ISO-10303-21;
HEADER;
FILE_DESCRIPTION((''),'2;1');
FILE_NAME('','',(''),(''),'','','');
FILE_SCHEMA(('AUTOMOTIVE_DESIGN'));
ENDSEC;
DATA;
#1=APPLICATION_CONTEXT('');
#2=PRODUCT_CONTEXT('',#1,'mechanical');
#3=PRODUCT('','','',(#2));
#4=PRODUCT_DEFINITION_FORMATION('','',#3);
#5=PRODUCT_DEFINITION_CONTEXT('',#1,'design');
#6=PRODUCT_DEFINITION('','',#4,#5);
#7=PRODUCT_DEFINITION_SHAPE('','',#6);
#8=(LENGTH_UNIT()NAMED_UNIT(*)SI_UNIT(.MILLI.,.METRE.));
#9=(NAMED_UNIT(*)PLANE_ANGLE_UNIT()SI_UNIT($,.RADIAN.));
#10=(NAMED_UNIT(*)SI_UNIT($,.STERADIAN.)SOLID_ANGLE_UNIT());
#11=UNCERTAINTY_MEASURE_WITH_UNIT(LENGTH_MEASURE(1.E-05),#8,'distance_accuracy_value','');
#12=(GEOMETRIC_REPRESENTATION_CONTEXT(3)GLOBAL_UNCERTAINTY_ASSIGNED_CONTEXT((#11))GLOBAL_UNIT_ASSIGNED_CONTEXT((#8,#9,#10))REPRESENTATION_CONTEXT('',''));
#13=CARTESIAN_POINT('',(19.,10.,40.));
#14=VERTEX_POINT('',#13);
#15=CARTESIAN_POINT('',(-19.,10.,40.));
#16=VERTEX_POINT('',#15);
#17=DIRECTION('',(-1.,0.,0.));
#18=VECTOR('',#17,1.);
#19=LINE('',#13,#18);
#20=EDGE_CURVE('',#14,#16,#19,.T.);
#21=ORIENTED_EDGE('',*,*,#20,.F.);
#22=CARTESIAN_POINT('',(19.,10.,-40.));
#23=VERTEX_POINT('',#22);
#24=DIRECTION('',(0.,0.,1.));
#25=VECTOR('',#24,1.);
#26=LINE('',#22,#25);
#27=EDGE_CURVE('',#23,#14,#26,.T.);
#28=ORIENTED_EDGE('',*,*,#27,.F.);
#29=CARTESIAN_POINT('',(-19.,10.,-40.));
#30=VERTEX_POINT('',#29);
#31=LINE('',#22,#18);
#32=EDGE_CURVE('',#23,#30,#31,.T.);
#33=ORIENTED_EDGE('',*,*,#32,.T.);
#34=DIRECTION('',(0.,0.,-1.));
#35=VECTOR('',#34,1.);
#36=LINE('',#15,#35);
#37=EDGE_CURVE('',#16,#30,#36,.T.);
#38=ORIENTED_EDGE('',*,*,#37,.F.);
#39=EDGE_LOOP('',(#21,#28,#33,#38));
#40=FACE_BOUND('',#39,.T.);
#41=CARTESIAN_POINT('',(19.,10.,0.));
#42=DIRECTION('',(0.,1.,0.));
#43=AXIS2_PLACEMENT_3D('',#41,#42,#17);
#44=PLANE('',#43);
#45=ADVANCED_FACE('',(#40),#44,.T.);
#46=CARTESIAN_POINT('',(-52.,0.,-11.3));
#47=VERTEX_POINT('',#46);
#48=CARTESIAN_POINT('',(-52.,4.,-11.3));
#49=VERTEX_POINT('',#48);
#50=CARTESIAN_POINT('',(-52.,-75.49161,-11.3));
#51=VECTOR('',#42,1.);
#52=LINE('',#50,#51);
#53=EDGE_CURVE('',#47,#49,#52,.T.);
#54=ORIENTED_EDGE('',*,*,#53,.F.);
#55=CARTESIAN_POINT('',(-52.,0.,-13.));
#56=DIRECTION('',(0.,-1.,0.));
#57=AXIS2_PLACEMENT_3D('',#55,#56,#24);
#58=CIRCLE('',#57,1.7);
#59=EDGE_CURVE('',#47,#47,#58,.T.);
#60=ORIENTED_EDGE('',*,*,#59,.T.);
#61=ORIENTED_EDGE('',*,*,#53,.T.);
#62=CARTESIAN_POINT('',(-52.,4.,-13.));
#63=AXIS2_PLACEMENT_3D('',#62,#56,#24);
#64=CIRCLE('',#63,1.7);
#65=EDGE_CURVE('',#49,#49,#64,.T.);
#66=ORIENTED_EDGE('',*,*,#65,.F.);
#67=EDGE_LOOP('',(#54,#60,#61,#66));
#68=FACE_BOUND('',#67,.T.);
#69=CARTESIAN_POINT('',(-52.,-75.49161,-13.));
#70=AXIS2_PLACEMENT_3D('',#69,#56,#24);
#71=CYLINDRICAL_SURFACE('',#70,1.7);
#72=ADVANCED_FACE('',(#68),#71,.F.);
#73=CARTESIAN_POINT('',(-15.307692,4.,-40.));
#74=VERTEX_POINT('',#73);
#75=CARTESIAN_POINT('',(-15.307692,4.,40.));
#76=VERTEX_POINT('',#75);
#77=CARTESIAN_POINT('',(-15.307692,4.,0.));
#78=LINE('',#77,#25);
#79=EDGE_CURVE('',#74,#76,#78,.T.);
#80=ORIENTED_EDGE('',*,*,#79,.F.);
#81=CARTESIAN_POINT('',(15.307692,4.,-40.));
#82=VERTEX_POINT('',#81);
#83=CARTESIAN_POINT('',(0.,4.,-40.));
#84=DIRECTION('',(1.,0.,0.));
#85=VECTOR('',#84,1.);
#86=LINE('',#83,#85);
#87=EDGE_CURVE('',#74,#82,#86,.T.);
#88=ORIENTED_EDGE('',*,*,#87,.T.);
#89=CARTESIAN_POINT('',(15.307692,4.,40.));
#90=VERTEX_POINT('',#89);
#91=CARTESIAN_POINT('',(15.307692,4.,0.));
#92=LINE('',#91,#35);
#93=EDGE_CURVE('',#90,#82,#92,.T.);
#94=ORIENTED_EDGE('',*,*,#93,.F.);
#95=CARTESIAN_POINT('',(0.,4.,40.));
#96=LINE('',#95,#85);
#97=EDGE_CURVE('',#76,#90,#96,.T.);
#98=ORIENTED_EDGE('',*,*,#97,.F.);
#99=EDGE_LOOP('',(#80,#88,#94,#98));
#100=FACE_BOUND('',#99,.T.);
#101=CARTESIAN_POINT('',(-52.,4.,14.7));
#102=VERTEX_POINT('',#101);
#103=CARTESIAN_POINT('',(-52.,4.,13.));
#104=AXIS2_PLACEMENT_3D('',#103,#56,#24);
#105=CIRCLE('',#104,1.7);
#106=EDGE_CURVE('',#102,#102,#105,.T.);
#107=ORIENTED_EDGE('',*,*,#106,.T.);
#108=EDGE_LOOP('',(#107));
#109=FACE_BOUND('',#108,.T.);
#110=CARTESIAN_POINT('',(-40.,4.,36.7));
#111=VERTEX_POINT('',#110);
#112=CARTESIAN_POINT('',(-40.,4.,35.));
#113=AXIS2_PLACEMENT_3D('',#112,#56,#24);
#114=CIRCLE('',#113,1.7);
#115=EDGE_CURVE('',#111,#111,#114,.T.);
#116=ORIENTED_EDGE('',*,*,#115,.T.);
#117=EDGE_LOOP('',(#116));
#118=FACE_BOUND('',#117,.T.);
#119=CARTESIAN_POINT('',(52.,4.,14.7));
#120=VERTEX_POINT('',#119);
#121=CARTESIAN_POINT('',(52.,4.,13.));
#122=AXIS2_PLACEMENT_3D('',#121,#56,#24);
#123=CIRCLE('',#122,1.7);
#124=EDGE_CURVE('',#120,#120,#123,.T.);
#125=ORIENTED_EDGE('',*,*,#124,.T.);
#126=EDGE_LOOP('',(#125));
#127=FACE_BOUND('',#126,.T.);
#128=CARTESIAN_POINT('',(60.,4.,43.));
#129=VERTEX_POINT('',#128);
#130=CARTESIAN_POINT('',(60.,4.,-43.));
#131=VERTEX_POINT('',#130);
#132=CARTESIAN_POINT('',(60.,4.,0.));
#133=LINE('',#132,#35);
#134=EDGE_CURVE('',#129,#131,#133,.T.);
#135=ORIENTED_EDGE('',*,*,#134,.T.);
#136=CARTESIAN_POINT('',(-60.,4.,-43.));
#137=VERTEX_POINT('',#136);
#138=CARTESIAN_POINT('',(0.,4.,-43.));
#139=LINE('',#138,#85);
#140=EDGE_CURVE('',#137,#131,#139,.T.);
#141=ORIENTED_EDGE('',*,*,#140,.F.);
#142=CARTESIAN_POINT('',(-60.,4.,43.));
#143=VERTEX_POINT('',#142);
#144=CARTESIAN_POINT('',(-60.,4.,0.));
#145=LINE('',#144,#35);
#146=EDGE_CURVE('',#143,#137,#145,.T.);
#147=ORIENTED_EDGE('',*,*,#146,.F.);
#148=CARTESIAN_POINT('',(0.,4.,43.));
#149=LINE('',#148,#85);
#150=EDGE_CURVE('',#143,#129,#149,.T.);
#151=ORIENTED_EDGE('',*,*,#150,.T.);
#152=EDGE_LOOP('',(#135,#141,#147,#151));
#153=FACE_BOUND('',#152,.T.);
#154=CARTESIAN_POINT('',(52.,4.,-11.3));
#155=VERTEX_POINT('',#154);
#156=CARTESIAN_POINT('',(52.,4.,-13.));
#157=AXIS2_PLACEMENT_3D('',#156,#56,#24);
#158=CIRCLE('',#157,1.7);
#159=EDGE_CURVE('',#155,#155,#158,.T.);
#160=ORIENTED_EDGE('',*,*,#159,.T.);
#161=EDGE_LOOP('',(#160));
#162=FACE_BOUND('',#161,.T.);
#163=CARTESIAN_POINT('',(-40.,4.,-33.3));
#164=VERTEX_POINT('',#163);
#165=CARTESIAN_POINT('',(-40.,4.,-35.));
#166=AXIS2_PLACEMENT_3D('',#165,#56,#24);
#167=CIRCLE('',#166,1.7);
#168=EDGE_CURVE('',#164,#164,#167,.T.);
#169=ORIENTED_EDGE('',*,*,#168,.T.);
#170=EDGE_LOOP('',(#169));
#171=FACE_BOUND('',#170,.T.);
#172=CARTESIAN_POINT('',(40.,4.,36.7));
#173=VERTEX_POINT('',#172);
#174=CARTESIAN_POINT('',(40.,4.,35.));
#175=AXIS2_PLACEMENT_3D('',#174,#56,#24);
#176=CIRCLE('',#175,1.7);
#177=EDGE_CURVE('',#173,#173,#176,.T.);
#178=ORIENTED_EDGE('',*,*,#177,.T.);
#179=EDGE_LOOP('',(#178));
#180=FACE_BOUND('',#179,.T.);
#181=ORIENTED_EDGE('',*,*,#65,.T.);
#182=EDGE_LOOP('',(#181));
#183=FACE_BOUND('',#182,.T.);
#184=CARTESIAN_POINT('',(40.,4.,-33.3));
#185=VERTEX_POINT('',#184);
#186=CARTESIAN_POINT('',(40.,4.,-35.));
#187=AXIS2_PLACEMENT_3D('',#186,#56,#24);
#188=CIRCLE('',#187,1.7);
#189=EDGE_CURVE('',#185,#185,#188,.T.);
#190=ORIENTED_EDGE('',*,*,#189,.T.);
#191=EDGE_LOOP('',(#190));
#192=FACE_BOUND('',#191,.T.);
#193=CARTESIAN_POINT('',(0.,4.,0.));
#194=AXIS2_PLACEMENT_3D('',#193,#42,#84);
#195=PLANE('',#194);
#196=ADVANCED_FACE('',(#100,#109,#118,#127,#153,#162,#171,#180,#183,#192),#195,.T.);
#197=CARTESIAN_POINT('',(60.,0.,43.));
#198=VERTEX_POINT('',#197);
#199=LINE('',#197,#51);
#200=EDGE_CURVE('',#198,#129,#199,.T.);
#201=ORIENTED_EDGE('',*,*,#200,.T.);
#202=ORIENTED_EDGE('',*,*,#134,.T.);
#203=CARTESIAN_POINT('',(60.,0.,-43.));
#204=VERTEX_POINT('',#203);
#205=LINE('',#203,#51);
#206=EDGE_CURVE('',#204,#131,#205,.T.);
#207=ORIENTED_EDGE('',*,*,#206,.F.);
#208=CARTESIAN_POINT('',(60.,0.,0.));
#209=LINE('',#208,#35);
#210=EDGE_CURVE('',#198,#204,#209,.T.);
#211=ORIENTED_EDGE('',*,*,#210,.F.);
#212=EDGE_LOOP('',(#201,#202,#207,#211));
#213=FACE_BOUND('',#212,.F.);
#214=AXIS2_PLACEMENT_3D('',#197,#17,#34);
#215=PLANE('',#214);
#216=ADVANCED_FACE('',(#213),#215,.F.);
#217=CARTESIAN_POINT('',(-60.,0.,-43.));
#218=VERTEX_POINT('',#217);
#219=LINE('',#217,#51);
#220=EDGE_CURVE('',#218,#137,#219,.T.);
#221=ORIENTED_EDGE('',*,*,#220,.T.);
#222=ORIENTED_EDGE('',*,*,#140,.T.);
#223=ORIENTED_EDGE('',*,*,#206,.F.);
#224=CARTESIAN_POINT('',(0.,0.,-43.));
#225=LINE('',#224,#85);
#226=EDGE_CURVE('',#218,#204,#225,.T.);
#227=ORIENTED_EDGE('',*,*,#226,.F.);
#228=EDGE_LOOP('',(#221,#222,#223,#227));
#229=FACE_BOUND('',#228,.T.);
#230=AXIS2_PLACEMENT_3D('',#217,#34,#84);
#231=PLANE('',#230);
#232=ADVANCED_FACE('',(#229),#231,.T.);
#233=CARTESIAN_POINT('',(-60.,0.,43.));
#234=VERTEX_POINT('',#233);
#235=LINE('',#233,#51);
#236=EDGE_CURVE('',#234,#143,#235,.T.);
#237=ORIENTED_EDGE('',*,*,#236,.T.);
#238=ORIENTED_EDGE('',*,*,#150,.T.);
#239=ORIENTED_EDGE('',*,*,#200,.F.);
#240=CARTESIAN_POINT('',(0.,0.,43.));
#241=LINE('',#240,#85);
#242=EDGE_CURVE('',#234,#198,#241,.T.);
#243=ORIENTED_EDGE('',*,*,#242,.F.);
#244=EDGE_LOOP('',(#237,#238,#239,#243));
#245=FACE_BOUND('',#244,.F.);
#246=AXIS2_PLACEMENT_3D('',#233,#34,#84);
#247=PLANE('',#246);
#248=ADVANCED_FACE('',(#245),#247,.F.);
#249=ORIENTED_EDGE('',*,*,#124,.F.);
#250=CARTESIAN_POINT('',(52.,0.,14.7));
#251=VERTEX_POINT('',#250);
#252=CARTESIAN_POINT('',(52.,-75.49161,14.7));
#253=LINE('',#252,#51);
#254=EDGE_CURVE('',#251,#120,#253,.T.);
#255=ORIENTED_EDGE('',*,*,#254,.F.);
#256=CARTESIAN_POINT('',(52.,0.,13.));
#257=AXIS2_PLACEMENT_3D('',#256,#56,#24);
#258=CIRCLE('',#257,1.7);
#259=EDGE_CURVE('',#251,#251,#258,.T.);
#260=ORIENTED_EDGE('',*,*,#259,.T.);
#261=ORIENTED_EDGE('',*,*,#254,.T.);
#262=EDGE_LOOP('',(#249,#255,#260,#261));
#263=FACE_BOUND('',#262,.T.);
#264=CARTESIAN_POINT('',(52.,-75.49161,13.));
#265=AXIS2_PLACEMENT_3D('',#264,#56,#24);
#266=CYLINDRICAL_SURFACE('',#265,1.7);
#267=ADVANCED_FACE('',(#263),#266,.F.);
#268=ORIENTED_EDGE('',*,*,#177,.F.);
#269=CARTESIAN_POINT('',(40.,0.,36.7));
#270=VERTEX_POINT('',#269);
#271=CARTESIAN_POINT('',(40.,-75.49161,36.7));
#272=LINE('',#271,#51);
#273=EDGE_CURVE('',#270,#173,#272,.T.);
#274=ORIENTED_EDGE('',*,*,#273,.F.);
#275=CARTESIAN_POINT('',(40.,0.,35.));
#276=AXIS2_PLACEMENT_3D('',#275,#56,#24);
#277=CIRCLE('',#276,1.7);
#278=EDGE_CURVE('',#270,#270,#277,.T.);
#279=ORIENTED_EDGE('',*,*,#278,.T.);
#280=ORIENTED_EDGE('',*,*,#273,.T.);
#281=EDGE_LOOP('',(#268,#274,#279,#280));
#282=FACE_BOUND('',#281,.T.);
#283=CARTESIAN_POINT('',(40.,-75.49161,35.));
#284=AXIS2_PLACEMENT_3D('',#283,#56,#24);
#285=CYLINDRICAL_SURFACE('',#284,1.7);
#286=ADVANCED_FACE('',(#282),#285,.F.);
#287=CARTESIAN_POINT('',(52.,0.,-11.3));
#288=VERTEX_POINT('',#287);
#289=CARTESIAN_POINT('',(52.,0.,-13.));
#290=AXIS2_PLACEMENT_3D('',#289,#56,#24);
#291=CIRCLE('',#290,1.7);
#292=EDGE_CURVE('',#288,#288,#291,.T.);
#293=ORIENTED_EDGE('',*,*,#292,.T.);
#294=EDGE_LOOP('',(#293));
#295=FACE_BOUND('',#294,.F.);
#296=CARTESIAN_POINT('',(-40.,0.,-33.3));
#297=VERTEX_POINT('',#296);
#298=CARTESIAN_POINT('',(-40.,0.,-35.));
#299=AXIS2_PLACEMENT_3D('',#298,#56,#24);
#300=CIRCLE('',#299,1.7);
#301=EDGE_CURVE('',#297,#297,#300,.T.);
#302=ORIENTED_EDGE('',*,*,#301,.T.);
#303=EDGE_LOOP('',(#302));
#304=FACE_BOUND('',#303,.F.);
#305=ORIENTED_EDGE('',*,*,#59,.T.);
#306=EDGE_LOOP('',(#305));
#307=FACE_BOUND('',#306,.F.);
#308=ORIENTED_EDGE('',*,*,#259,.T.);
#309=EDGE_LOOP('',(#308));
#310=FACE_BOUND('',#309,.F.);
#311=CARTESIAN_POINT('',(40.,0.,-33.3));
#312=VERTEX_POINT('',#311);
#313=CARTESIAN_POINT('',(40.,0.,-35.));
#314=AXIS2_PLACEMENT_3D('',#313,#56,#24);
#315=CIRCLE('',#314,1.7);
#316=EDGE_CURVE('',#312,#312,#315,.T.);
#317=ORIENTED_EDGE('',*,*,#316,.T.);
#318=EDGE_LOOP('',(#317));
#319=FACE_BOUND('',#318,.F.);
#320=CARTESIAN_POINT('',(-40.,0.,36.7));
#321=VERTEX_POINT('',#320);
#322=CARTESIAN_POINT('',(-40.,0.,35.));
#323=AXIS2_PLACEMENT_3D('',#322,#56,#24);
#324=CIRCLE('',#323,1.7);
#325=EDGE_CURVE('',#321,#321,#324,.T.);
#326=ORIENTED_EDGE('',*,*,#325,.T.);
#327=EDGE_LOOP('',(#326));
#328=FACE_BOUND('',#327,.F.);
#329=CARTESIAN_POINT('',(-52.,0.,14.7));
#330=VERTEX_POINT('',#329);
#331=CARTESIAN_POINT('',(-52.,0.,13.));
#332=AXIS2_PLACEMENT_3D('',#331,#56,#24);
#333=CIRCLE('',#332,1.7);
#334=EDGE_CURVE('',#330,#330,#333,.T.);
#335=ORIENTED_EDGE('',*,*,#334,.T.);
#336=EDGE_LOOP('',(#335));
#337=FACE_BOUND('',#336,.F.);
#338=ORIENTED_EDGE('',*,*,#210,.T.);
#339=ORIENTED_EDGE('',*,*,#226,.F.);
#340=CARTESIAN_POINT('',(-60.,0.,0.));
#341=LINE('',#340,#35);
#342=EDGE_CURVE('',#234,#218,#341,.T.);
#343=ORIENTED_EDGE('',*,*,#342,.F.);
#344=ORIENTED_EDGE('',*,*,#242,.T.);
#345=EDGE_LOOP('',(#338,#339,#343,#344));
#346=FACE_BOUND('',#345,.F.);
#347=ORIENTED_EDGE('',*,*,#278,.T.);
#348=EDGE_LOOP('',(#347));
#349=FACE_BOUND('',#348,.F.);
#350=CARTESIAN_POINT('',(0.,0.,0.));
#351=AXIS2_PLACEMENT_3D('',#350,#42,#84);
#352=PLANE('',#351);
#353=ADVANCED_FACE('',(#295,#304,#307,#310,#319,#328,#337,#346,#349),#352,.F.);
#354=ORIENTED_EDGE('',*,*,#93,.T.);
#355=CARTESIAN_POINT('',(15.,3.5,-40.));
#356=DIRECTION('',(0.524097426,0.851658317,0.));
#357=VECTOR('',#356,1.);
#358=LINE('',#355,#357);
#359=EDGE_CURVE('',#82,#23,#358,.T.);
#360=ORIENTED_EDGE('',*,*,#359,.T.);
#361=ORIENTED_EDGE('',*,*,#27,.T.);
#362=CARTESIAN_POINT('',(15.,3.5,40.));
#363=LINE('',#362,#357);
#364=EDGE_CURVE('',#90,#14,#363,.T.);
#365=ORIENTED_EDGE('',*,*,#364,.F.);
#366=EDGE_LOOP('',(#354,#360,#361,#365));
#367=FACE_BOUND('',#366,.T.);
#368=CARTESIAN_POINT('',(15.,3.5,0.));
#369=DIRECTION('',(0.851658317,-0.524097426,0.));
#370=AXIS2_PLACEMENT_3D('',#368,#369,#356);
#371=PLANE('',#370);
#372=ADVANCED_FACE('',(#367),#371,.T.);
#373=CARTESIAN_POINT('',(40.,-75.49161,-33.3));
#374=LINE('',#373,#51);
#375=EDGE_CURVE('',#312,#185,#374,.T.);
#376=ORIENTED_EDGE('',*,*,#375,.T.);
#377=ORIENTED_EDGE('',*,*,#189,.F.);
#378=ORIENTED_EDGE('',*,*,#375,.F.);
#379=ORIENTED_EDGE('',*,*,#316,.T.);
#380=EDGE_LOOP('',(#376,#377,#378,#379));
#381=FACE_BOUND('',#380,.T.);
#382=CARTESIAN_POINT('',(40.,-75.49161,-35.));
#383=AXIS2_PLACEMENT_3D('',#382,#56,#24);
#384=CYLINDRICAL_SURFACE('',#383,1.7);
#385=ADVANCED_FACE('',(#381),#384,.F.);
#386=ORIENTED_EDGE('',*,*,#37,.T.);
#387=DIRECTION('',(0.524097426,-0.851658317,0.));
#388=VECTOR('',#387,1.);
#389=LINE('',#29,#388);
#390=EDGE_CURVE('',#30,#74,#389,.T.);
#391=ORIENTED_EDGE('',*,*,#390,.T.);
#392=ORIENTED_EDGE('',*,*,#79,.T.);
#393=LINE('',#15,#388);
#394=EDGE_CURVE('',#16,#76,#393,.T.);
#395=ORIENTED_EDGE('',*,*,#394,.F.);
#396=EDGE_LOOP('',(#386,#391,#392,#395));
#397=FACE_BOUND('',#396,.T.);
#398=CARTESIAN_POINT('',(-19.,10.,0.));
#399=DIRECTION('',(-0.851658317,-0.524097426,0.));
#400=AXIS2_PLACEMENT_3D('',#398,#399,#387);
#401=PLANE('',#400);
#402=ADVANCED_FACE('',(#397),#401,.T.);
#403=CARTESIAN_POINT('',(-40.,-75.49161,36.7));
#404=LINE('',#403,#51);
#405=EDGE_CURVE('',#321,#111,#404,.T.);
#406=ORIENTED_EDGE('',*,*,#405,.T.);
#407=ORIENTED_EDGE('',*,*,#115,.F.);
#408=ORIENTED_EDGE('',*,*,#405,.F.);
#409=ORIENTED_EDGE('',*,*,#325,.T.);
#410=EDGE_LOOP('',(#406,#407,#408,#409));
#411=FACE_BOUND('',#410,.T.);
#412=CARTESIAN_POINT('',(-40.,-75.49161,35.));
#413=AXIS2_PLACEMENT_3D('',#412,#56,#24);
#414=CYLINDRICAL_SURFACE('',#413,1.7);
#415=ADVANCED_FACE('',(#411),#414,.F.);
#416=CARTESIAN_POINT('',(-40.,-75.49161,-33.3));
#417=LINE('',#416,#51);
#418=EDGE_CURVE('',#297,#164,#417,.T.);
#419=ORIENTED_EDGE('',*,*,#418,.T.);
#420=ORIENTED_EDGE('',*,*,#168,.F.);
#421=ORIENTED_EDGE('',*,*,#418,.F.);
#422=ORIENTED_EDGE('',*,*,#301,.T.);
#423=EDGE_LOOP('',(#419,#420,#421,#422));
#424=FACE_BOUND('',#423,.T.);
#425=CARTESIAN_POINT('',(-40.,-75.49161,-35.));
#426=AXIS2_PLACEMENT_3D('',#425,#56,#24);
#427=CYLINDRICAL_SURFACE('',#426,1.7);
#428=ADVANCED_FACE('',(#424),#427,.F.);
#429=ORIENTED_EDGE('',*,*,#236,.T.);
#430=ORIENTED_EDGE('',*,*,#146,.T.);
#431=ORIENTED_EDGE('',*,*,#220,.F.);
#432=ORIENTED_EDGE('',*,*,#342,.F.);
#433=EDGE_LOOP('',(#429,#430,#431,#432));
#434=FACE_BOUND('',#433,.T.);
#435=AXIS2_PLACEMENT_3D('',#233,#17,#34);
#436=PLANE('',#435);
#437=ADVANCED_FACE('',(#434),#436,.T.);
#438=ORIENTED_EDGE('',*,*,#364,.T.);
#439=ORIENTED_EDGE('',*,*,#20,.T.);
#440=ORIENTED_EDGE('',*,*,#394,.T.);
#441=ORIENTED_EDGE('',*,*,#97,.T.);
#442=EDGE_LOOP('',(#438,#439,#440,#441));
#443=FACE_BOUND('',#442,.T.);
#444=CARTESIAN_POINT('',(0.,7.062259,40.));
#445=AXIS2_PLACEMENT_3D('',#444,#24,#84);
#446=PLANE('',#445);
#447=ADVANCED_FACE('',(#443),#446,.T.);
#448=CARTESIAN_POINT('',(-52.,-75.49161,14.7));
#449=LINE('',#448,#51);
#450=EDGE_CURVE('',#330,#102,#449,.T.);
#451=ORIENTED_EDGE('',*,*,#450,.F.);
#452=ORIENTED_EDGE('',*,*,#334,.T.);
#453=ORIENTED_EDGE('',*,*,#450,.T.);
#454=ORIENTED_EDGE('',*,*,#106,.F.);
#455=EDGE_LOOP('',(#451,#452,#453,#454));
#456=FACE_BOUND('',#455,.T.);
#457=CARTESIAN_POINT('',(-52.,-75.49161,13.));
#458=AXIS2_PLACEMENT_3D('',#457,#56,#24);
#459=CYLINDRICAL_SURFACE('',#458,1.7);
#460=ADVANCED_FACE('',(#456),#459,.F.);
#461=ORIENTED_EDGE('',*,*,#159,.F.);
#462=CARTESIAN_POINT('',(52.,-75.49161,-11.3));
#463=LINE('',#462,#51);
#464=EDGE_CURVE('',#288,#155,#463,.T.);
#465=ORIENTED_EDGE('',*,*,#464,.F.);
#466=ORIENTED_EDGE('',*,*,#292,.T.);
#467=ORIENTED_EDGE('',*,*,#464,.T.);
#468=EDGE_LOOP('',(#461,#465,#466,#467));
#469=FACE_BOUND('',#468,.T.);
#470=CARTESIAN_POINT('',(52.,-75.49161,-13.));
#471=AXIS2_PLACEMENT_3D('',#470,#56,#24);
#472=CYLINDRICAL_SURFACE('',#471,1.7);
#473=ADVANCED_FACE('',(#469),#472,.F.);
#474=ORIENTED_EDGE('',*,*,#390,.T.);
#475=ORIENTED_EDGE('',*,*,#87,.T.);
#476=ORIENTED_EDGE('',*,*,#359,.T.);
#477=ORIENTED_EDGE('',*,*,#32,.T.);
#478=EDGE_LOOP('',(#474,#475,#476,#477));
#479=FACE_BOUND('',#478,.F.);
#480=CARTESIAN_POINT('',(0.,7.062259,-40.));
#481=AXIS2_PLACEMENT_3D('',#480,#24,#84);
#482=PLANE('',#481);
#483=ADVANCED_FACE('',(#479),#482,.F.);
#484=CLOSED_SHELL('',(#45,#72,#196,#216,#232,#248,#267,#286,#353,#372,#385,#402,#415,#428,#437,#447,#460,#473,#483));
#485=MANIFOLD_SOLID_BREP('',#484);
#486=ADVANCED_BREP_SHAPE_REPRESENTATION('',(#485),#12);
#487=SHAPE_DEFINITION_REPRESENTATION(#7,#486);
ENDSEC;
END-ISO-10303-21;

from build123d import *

# Parameters (mm, degrees)
SKETCH1_W             = 120
SKETCH1_H             = 86
RAIL_PLATE_DEPTH      = 4
DOVETAIL_RAIL_DEPTH   = 40
BOLT_HOLES_DEPTH      = 75.491610266
BOLT_HOLES_DEPTH_BACK = 75.491610266
SKETCH3_R             = 1.7


with BuildPart() as part:
    # Sketch1 → Rail Plate (new body)
    with BuildSketch(Plane(origin=(0, 0, 0), x_dir=(1, 0, 0), z_dir=(0, 1, 0))):
        Rectangle(SKETCH1_W, SKETCH1_H)
    extrude(amount=RAIL_PLATE_DEPTH)

    # Sketch2 → Dovetail Rail (add, symmetric)
    with BuildSketch(Plane.XY):
        Polygon((-15, 3.5), (15, 3.5), (19, 10), (-19, 10), align=None)
    extrude(amount=DOVETAIL_RAIL_DEPTH, both=True)

    # Sketch3 → Bolt Holes (cut, two sides: drawn at the far end of the back side and taken through both)
    with BuildSketch(Plane(origin=(0, 0, 0), x_dir=(1, 0, 0), z_dir=(0, 1, 0)).offset(-BOLT_HOLES_DEPTH_BACK)):
        with Locations(Location((-40, -35, 0), (0, 0, 270))):
            Circle(SKETCH3_R)
        with Locations(Location((-40, 35, 0), (0, 0, 270))):
            Circle(SKETCH3_R)
        with Locations(Location((40, -35, 0), (0, 0, 270))):
            Circle(SKETCH3_R)
        with Locations(Location((40, 35, 0), (0, 0, 270))):
            Circle(SKETCH3_R)
        with Locations(Location((-52, -13, 0), (0, 0, 270))):
            Circle(SKETCH3_R)
        with Locations(Location((-52, 13, 0), (0, 0, 270))):
            Circle(SKETCH3_R)
        with Locations(Location((52, -13, 0), (0, 0, 270))):
            Circle(SKETCH3_R)
        with Locations(Location((52, 13, 0), (0, 0, 270))):
            Circle(SKETCH3_R)
    extrude(amount=BOLT_HOLES_DEPTH + BOLT_HOLES_DEPTH_BACK, mode=Mode.SUBTRACT)


solid = part.part
